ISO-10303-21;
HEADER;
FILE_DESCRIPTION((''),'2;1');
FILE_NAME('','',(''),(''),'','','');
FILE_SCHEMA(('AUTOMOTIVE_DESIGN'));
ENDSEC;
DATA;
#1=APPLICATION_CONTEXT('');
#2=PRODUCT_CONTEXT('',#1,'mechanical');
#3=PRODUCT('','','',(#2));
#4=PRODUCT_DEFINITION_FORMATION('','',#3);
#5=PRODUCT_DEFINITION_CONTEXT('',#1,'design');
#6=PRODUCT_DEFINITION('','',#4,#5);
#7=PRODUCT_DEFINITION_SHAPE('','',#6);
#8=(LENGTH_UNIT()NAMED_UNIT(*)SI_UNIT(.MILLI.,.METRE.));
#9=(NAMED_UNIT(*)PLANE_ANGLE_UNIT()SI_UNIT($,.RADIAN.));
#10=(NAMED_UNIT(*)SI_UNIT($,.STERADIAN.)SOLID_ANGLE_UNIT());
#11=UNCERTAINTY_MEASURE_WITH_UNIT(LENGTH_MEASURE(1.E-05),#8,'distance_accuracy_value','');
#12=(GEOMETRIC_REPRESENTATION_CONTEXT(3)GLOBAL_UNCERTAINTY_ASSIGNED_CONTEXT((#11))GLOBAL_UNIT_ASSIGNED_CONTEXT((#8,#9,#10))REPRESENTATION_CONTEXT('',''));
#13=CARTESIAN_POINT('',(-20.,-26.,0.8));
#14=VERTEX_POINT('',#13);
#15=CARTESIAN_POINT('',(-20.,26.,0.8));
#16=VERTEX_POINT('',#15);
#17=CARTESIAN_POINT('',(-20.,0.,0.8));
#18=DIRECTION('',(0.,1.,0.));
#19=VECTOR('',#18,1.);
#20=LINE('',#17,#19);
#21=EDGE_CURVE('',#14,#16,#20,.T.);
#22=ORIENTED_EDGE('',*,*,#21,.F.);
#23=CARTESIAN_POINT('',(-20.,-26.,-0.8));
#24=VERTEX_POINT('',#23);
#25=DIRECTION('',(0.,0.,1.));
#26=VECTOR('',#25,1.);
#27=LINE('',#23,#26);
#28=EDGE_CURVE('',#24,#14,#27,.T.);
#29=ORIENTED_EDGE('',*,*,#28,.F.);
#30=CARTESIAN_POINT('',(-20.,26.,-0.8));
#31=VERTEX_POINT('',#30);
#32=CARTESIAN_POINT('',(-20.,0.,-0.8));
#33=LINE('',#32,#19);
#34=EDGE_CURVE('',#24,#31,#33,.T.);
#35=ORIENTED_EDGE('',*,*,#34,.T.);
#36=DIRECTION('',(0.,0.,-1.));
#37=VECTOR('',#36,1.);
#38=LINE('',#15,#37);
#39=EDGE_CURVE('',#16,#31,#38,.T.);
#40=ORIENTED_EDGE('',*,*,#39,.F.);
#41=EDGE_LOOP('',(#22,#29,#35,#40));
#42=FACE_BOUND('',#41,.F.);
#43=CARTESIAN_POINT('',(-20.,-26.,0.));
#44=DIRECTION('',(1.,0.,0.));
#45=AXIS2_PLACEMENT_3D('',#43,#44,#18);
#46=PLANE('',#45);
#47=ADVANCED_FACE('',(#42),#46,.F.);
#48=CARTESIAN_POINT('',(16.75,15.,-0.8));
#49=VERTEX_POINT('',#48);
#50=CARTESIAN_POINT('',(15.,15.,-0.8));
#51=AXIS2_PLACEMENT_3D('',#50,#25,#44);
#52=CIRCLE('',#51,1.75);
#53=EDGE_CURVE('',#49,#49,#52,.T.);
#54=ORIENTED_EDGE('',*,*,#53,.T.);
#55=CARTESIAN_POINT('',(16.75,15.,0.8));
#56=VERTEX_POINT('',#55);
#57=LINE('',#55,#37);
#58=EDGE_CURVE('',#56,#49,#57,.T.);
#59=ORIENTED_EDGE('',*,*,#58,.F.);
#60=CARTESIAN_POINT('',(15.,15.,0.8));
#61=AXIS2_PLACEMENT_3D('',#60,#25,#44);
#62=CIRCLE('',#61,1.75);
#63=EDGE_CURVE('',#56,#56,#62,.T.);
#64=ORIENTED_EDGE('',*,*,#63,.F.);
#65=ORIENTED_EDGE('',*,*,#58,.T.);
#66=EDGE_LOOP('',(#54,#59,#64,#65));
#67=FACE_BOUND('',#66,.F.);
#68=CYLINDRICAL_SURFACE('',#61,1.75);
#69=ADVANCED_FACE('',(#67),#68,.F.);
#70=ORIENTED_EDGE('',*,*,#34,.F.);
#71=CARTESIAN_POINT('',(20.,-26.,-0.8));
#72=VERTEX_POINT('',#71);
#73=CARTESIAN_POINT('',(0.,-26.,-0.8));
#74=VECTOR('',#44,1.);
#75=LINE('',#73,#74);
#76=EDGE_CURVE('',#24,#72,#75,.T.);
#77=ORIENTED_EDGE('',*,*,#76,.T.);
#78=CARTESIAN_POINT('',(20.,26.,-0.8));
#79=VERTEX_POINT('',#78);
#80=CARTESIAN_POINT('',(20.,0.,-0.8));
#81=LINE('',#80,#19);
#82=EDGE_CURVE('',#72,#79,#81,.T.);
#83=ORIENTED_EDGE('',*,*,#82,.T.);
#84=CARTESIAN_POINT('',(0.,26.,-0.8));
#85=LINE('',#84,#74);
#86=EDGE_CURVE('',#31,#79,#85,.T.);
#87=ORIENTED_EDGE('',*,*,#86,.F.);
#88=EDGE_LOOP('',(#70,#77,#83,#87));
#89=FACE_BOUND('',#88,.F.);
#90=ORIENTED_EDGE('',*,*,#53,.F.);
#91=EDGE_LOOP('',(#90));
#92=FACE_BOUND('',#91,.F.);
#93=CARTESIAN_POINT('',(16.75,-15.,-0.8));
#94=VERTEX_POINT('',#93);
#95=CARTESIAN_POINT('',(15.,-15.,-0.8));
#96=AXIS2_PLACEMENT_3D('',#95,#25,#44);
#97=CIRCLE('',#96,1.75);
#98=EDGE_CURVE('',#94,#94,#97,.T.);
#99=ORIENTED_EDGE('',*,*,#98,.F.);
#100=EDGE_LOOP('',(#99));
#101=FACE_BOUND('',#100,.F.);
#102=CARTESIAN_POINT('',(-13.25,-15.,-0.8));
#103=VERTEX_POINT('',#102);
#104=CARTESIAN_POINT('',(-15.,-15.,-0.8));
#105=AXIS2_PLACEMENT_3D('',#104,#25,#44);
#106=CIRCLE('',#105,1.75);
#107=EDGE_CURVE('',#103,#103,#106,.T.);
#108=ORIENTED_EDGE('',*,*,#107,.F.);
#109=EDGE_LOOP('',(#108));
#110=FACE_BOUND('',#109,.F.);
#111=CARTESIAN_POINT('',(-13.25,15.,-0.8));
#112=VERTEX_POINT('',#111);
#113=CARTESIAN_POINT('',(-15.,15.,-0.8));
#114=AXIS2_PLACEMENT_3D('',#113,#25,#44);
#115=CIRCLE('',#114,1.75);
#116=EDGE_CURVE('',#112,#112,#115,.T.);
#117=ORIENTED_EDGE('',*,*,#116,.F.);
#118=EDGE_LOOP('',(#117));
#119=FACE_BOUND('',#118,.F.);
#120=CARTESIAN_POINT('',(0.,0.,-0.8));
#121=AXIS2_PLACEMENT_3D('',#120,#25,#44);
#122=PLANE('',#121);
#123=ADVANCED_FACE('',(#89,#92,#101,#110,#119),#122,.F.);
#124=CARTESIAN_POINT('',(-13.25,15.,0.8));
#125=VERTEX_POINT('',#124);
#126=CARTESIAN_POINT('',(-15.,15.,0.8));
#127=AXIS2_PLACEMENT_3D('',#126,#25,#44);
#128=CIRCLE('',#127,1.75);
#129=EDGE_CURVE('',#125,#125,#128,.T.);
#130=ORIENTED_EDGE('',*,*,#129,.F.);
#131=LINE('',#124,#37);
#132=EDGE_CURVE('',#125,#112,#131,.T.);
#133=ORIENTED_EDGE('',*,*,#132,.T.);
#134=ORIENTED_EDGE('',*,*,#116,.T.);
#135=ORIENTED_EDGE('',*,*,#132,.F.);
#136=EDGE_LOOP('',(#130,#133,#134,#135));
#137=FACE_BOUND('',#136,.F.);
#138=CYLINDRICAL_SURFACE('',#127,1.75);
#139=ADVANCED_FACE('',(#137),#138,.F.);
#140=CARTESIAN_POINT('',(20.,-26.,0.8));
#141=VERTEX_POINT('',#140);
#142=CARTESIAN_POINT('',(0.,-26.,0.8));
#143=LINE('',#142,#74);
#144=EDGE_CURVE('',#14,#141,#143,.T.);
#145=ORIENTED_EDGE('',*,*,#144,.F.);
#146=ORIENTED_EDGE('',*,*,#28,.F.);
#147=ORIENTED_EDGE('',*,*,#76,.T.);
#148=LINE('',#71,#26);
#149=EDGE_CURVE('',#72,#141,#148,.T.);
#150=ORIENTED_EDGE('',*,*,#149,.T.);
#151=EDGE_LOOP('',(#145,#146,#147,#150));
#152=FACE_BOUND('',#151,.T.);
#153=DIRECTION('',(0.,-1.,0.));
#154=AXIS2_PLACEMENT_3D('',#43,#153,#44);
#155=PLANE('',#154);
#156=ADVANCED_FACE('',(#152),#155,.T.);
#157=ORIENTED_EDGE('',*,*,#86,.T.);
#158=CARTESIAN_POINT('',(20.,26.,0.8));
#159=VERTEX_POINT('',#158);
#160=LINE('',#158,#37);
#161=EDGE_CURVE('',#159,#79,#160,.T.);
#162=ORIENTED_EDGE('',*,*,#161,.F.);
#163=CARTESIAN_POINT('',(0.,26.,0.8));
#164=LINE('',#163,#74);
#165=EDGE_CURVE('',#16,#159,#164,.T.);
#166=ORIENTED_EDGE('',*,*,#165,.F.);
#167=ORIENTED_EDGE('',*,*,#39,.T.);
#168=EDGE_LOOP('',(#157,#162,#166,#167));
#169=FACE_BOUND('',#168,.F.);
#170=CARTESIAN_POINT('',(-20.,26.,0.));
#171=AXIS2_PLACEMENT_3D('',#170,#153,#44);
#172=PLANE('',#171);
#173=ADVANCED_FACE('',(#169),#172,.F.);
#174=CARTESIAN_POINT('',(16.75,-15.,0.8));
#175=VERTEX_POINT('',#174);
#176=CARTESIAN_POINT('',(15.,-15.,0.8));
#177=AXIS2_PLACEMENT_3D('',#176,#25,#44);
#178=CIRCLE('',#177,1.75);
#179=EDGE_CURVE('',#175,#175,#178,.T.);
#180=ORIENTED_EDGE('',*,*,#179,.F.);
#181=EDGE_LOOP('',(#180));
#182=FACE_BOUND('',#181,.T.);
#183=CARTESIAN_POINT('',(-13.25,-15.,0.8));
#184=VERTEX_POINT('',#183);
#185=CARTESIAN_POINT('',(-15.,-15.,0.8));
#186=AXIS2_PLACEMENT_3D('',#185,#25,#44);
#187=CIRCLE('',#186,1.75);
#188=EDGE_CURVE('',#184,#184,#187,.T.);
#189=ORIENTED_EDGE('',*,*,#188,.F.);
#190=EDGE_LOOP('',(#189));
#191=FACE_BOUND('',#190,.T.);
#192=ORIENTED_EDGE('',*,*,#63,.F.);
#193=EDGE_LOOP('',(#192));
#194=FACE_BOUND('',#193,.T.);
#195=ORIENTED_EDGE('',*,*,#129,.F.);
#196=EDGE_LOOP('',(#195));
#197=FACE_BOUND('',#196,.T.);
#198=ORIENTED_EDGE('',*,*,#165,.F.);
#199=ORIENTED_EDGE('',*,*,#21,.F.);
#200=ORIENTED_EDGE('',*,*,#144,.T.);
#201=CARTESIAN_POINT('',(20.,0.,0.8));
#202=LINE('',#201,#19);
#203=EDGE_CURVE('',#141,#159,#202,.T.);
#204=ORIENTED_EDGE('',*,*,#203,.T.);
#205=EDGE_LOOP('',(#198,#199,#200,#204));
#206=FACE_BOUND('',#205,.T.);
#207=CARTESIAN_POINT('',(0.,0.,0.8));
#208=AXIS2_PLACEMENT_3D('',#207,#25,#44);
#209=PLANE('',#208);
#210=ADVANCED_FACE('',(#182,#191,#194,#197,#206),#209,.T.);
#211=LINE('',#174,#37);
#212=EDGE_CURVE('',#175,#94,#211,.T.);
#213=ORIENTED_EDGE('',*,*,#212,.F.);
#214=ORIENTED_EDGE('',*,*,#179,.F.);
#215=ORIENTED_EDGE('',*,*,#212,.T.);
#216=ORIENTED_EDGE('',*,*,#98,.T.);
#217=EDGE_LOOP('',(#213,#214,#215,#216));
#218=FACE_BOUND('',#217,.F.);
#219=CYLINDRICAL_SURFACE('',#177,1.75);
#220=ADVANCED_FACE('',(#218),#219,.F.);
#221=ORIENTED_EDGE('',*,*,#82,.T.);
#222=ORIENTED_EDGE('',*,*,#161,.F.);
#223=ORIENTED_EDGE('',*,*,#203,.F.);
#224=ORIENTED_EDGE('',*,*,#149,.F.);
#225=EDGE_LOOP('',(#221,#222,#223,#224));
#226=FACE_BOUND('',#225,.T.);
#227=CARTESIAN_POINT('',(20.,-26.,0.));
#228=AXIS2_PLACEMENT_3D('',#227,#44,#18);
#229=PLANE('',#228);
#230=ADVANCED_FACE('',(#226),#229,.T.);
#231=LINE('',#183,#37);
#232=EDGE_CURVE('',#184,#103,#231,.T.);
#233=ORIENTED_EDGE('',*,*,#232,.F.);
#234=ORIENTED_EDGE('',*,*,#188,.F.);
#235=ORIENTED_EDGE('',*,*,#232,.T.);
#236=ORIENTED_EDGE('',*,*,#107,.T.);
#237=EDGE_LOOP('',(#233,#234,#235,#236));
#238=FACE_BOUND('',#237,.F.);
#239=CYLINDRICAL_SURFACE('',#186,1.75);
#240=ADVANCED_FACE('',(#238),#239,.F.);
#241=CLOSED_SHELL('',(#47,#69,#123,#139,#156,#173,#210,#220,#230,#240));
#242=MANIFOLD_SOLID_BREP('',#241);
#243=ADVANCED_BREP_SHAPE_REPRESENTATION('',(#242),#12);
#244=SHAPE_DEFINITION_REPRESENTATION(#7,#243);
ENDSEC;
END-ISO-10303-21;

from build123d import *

# Parameters (mm, degrees)
F0_W     = 40
F0_H     = 52
F1_DEPTH = 0.8
F2_R     = 1.75
F3_DEPTH = 1.6


with BuildPart() as f1:
    # F0 (on Top) → F1 (new body, symmetric)
    with BuildSketch(Plane.XY):
        Rectangle(F0_W, F0_H)
    extrude(amount=F1_DEPTH, both=True)

    # F2 (on face) → F3 (cut, through all)
    with BuildSketch(Plane.XY.offset(0.8)):
        with Locations((-15, 15)):
            Circle(F2_R)
        with Locations((15, 15)):
            Circle(F2_R)
        with Locations((-15, -15)):
            Circle(F2_R)
        with Locations((15, -15)):
            Circle(F2_R)
    extrude(amount=-F3_DEPTH, mode=Mode.SUBTRACT)


solid = f1.part
